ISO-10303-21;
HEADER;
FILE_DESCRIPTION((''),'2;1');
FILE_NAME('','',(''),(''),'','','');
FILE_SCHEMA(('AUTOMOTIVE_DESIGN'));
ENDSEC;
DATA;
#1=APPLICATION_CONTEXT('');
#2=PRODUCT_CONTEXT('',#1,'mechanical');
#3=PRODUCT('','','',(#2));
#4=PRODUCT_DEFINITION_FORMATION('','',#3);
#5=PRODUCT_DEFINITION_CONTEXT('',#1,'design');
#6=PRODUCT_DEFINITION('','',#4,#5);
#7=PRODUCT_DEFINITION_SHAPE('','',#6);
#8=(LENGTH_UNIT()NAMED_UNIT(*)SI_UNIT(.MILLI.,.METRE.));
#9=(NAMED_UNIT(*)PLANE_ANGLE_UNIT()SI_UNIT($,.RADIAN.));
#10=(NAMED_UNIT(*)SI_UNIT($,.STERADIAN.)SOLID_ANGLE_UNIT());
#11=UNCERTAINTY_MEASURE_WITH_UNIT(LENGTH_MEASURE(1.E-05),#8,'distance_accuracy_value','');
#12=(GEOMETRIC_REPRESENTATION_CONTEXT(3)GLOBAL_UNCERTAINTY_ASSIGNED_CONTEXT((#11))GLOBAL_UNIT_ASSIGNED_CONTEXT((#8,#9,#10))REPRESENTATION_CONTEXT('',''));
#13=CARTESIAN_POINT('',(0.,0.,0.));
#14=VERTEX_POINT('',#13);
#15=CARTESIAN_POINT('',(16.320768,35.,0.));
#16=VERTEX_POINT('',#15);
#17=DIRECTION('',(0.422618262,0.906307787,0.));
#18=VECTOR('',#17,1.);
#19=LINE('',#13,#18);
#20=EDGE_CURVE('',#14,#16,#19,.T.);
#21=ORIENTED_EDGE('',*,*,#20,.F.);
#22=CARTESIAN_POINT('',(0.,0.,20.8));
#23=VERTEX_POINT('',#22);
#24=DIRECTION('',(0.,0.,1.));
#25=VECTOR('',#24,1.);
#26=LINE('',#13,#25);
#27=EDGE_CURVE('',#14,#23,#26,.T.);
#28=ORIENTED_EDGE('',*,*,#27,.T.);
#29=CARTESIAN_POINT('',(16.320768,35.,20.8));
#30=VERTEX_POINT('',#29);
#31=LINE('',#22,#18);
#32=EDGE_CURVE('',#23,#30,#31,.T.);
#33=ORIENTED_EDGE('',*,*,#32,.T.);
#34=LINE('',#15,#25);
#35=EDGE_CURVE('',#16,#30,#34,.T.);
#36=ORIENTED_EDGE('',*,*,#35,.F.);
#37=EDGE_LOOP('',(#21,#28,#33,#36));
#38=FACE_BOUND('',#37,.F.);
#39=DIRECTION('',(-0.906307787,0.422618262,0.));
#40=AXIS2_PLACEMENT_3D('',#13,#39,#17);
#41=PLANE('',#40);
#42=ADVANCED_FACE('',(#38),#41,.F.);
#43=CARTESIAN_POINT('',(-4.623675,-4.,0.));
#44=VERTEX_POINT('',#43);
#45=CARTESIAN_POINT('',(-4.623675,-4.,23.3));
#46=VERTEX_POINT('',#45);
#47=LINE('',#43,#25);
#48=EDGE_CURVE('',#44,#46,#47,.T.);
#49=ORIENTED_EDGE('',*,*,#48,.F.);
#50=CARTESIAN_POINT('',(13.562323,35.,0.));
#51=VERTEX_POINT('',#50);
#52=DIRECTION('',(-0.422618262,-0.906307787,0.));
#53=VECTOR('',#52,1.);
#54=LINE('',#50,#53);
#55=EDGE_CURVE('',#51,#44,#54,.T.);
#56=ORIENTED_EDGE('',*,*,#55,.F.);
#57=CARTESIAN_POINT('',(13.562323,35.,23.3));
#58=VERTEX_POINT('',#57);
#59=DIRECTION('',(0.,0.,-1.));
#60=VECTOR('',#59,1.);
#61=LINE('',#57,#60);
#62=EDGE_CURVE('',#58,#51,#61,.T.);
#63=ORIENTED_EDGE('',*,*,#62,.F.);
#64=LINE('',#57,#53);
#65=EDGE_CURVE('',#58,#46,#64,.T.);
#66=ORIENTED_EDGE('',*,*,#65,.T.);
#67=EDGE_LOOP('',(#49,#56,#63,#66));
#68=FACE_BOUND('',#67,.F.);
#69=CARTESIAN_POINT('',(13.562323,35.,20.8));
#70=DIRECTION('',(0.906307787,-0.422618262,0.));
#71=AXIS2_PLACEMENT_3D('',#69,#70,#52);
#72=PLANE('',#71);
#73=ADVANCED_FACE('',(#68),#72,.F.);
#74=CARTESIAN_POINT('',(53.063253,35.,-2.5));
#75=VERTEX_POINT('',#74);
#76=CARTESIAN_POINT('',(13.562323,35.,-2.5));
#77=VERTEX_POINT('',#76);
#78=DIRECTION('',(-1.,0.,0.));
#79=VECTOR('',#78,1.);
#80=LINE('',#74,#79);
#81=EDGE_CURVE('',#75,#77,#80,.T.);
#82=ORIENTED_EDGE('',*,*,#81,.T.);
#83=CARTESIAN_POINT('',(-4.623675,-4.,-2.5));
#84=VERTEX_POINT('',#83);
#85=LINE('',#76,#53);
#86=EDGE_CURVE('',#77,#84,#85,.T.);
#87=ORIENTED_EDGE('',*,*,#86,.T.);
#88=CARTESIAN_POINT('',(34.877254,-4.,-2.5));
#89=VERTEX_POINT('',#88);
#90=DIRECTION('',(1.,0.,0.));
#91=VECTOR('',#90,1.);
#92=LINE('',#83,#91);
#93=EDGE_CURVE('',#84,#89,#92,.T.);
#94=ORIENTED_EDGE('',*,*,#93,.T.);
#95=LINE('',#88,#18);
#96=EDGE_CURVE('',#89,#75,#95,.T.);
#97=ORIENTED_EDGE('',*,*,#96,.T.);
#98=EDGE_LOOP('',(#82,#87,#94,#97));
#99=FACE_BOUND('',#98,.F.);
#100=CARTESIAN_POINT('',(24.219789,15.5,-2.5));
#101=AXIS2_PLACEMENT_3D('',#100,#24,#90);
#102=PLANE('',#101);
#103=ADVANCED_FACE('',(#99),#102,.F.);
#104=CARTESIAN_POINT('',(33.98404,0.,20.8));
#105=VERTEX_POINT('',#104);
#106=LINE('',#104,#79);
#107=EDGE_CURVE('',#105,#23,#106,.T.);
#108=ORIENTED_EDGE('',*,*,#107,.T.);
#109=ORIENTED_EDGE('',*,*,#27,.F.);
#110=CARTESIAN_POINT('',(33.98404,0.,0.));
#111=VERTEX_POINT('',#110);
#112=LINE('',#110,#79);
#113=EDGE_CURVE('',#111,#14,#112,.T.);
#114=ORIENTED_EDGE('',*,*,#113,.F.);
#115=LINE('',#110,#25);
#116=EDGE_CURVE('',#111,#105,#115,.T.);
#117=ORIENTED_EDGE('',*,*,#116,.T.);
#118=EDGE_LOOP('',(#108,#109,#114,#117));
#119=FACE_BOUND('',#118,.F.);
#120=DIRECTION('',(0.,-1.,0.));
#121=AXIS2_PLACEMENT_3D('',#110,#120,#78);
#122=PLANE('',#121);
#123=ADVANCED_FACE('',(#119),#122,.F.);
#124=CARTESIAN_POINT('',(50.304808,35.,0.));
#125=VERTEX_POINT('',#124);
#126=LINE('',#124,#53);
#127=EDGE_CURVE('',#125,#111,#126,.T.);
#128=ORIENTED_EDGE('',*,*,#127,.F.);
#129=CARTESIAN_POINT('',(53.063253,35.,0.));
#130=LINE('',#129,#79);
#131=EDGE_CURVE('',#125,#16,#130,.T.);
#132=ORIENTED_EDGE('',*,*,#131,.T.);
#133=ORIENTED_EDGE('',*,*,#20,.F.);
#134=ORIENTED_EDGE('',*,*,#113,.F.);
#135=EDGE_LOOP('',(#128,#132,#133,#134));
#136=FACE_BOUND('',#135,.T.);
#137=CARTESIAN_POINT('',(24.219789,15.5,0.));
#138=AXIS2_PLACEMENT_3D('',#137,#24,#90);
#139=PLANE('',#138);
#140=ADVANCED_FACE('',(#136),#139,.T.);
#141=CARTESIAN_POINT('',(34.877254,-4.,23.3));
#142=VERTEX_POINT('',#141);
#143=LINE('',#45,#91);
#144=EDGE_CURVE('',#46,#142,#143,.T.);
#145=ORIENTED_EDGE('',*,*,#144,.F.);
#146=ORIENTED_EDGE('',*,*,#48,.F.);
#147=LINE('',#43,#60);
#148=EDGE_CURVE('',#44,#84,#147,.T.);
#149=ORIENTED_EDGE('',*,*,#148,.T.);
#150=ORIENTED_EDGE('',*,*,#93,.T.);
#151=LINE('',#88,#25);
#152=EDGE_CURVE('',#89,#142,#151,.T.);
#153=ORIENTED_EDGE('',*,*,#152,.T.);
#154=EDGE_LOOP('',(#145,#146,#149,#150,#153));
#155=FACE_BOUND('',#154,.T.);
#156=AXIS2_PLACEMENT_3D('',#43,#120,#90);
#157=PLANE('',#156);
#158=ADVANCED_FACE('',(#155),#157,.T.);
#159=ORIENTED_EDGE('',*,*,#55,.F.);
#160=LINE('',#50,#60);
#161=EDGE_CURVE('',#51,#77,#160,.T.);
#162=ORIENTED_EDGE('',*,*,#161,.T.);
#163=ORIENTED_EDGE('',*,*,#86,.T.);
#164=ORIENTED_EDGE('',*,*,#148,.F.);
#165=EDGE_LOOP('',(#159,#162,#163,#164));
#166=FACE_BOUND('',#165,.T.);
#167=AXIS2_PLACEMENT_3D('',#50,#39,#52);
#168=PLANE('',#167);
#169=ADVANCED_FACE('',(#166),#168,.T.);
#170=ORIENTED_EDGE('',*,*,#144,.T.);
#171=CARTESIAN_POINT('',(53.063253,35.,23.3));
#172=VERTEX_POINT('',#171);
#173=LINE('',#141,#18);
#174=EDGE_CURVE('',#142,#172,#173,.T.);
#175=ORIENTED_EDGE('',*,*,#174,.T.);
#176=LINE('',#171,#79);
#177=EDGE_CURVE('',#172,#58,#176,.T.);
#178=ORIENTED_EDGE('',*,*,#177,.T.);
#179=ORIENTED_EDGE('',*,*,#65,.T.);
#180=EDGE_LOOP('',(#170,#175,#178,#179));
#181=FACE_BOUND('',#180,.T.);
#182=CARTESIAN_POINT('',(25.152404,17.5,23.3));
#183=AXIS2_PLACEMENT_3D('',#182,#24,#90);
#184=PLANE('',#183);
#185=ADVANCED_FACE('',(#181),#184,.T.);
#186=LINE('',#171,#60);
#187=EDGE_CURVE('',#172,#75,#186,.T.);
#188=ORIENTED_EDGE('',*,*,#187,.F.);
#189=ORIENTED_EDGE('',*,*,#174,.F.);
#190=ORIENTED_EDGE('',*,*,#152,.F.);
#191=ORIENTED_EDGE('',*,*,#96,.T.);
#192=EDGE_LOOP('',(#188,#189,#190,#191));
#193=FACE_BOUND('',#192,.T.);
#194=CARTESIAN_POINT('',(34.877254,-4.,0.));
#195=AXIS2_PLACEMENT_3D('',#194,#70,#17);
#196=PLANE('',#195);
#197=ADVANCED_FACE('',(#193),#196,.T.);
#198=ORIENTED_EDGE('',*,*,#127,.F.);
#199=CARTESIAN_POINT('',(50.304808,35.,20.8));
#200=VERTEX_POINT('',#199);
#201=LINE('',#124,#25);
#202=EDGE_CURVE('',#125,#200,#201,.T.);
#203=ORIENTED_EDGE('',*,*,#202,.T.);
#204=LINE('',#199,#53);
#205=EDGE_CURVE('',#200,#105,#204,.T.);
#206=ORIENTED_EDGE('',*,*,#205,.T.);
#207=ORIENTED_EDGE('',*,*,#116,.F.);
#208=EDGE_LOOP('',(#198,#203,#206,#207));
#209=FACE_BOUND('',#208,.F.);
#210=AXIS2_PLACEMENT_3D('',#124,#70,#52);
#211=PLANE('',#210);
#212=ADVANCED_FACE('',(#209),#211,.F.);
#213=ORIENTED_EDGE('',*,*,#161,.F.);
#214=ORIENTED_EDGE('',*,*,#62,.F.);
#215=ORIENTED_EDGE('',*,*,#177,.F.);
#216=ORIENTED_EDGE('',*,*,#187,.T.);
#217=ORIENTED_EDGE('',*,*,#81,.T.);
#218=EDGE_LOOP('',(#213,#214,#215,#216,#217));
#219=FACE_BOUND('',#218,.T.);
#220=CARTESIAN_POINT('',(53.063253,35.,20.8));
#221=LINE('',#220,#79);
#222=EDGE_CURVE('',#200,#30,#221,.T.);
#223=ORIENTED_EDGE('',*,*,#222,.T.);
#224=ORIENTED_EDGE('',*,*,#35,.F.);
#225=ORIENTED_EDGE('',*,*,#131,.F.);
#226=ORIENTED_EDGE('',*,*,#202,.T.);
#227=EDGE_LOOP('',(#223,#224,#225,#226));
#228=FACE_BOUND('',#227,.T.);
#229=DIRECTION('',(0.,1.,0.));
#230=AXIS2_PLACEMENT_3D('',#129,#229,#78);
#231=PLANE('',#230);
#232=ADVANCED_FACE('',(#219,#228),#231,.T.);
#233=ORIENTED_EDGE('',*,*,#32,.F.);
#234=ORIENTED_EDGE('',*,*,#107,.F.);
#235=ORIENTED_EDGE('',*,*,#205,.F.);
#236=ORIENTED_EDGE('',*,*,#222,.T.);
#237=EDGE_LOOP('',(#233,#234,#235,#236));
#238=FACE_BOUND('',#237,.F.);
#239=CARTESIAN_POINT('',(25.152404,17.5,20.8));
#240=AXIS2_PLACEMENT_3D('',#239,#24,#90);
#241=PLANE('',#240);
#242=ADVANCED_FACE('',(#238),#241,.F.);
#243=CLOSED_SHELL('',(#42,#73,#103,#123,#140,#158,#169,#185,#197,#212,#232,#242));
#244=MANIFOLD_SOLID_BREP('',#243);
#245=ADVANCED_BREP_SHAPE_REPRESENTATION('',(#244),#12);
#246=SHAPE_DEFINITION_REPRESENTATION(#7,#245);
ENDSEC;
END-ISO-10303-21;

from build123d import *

# Parameters (mm, degrees)
F1_DEPTH = 20.8
F3_DEPTH = 2.5
F4_START = -23.3
F4_DEPTH = 2.5


with BuildPart() as f1:
    # F0 (on Top) → F1 (new body)
    with BuildSketch(Plane.XY):
        Polygon((33.984039904, 0), (0, 0), (16.3207680354, 35), (13.562323238, 35), (-4.62367543, -4), (34.8772540688, -4), (53.0632527369, 35), (50.3048079395, 35), align=None)
    extrude(amount=F1_DEPTH)

    # F2 (on face) → F3 (join)
    with BuildSketch(Plane.XY.offset(20.8)):
        Polygon((50.3048079395, 35), (16.3207680354, 35), (0, 0), (33.984039904, 0), align=None)
        Polygon((16.3207680354, 35), (13.562323238, 35), (-4.62367543, -4), (34.8772540688, -4), (53.0632527369, 35), (50.3048079395, 35), (33.984039904, 0), (0, 0), align=None)
    extrude(amount=F3_DEPTH)

    # F3_face (on face) → F4 (join)
    with BuildSketch(Plane(origin=(24.2197886534, 15.5, 23.3), x_dir=(1, 0, 0), z_dir=(0, 0, 1)).offset(F4_START)):
        Polygon((-10.6574654154, 19.5), (-28.8434640835, -19.5), (10.6574654154, -19.5), (28.8434640835, 19.5), align=None)
    extrude(amount=-F4_DEPTH)


solid = f1.part
